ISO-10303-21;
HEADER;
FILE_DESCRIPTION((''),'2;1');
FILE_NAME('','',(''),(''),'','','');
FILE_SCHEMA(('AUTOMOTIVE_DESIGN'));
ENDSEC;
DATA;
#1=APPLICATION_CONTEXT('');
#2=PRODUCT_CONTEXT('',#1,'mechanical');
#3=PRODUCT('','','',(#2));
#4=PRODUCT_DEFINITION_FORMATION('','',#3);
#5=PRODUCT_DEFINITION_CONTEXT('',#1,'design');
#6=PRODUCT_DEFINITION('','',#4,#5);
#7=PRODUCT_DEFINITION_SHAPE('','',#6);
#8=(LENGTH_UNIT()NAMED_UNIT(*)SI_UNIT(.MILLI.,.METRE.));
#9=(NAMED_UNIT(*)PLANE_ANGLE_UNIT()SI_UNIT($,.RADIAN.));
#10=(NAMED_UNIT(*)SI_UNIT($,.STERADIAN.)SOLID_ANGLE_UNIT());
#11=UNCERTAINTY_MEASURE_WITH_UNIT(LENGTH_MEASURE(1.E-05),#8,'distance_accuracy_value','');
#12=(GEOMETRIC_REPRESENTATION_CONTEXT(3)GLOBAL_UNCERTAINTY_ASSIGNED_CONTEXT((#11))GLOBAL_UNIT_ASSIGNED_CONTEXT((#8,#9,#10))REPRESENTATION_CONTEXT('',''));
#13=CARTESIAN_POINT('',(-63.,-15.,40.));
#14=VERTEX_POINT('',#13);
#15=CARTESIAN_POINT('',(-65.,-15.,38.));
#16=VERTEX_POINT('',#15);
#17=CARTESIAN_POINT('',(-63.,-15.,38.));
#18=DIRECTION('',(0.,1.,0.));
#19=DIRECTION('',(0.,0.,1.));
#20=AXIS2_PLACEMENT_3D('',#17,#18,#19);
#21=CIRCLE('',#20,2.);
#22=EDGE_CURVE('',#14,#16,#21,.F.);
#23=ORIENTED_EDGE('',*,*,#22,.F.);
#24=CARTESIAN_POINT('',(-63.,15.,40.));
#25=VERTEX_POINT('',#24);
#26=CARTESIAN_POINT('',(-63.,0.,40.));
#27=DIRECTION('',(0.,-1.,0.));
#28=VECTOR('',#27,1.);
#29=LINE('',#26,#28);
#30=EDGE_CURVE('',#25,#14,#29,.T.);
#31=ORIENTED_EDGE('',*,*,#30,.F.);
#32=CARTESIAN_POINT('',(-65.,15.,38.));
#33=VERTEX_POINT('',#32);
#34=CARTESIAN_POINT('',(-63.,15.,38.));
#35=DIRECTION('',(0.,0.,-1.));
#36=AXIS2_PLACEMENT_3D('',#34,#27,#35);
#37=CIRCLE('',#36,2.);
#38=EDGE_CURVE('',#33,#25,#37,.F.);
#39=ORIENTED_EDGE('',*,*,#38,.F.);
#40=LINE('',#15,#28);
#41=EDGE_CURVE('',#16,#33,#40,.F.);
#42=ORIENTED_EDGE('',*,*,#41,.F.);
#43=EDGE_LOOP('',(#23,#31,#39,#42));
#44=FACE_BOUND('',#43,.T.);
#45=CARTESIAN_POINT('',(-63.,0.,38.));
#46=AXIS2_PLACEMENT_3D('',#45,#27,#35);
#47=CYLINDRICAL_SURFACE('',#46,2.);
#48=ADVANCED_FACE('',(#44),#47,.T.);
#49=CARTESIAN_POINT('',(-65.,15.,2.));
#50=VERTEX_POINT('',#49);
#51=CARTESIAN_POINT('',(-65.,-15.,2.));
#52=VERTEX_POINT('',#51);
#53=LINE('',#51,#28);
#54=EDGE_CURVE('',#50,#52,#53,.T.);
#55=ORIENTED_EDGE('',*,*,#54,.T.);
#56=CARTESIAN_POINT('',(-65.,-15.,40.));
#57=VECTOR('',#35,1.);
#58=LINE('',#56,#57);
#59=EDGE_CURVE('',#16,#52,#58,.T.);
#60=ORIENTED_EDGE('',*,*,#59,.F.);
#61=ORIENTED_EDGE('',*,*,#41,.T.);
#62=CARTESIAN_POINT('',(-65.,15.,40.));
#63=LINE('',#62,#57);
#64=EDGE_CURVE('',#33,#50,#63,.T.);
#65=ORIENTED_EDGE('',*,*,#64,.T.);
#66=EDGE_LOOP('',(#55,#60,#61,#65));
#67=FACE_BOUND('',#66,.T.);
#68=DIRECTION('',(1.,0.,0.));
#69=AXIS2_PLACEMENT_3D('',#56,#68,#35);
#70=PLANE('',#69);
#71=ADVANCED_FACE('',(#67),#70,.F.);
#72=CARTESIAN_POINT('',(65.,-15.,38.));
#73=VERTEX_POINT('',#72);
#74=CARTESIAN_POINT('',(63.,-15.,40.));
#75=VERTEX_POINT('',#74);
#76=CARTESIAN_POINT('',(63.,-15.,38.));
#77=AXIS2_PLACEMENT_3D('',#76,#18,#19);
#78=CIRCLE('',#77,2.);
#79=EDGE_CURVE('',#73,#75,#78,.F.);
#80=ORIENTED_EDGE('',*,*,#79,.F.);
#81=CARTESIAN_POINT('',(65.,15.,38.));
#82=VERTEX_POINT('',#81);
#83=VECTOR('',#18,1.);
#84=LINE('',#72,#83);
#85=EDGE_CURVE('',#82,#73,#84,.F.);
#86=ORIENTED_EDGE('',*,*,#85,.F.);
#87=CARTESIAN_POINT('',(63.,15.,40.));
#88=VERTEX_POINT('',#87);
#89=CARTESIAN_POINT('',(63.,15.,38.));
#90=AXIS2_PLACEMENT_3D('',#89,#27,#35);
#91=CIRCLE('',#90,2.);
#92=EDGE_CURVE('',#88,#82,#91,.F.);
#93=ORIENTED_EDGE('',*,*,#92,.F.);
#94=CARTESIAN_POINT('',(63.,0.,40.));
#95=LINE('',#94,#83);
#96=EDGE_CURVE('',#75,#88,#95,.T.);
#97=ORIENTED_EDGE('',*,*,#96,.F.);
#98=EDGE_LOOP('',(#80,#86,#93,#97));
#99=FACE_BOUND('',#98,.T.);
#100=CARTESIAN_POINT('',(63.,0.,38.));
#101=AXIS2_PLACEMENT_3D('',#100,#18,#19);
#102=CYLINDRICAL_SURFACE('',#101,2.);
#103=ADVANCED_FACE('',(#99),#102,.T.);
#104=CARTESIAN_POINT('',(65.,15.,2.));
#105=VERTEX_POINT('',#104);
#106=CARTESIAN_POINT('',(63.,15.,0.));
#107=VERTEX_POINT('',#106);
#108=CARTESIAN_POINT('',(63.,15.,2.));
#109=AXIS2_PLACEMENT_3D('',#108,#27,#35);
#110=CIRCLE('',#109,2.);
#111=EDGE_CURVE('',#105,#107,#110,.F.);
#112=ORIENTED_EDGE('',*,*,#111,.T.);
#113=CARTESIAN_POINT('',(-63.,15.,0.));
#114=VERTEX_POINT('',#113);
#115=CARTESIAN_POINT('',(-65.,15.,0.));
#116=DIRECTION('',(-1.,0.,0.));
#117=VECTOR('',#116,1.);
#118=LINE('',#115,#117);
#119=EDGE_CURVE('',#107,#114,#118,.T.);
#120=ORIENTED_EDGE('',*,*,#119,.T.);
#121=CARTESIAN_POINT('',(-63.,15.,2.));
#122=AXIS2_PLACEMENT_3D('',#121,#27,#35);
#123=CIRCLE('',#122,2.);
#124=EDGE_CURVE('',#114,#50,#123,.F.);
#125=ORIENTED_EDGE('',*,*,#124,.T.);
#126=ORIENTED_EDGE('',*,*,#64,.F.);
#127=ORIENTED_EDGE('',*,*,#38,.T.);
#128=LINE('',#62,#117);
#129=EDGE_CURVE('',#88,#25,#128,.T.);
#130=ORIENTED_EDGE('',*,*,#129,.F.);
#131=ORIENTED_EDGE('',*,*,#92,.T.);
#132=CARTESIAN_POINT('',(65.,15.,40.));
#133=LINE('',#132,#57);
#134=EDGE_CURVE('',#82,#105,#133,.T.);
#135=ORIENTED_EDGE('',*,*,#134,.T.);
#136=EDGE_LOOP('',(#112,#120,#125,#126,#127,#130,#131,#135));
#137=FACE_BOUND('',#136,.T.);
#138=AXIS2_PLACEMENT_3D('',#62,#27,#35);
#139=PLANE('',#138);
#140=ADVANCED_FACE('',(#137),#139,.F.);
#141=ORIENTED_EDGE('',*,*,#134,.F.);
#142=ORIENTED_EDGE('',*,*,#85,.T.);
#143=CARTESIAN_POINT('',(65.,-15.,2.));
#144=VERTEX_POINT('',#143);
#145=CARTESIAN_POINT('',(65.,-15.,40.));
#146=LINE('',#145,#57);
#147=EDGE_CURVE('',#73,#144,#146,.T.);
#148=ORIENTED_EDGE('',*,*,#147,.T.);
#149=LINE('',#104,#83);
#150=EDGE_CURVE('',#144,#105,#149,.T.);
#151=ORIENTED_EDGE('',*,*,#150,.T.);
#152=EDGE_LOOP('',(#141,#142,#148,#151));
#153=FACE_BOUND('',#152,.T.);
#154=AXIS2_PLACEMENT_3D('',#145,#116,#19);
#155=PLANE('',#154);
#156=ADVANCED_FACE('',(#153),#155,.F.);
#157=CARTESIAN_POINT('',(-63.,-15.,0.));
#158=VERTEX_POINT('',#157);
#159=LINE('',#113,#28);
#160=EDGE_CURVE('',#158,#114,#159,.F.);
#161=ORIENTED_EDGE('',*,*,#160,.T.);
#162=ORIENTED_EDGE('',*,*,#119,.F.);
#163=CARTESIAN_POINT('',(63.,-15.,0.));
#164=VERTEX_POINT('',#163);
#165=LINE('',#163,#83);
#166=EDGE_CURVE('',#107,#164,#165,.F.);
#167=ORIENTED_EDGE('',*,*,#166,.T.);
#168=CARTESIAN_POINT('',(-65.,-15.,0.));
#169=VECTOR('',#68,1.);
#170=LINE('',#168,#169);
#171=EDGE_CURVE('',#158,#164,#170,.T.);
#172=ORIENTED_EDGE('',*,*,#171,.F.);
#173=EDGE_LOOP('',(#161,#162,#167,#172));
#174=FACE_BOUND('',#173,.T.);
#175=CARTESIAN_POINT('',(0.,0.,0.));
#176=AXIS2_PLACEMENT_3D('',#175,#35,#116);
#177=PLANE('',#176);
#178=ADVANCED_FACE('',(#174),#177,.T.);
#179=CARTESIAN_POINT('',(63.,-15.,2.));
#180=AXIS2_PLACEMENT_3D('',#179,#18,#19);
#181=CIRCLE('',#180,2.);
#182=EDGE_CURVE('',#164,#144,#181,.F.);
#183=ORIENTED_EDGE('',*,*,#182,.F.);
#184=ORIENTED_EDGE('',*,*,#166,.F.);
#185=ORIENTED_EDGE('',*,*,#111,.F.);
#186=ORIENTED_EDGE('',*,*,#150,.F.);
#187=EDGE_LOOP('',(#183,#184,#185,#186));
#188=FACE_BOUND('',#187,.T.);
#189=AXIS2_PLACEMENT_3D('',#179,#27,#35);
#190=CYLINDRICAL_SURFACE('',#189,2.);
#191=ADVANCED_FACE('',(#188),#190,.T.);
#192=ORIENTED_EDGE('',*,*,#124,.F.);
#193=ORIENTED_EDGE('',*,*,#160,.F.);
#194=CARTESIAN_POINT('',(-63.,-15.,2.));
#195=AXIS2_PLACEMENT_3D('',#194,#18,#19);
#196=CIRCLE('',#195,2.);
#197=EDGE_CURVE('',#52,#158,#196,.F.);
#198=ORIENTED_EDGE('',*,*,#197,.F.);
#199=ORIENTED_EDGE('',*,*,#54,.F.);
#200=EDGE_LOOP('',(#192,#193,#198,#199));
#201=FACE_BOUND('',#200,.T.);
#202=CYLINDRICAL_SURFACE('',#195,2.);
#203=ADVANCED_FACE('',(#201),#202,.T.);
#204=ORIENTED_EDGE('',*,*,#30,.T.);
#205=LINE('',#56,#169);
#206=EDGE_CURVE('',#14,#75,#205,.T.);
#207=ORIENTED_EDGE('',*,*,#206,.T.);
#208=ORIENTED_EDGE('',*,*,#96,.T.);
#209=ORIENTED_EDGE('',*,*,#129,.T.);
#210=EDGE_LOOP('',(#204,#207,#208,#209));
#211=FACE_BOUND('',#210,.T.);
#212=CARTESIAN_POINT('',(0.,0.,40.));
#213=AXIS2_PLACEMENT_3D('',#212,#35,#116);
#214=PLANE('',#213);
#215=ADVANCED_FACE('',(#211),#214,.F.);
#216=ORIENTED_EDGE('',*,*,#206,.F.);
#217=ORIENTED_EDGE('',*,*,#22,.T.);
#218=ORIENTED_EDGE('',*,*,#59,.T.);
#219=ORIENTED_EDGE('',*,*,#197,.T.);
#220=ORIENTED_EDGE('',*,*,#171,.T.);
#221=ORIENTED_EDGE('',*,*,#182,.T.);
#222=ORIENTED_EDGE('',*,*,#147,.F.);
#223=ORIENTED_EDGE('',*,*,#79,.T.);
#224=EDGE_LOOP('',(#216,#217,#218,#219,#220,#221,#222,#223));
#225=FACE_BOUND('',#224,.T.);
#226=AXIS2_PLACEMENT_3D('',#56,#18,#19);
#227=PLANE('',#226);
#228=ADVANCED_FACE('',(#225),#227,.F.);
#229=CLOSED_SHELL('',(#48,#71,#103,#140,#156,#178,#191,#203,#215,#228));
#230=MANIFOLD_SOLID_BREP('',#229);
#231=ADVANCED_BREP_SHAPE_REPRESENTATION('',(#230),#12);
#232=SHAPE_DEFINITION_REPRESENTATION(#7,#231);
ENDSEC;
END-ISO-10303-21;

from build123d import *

# Parameters (mm, degrees)
SKETCH_1_W      = 130
SKETCH_1_H      = 30
EXTRUDE_1_DEPTH = 40
FILLET_1_R      = 2


with BuildPart() as part:
    # 草图1 → 凸台-拉伸1 (new body)
    with BuildSketch(Plane.XY):
        Rectangle(SKETCH_1_W, SKETCH_1_H)
    extrude(amount=EXTRUDE_1_DEPTH)

    # 圆角1
    fillet_1_edges = [part.edges().sort_by_distance(p)[0] for p in [
        (-65, 0, 40),
        (65, 0, 40),
        (-65, 0, 0),
        (65, 0, 0),
    ]]
    fillet(fillet_1_edges, radius=FILLET_1_R)


solid = part.part
